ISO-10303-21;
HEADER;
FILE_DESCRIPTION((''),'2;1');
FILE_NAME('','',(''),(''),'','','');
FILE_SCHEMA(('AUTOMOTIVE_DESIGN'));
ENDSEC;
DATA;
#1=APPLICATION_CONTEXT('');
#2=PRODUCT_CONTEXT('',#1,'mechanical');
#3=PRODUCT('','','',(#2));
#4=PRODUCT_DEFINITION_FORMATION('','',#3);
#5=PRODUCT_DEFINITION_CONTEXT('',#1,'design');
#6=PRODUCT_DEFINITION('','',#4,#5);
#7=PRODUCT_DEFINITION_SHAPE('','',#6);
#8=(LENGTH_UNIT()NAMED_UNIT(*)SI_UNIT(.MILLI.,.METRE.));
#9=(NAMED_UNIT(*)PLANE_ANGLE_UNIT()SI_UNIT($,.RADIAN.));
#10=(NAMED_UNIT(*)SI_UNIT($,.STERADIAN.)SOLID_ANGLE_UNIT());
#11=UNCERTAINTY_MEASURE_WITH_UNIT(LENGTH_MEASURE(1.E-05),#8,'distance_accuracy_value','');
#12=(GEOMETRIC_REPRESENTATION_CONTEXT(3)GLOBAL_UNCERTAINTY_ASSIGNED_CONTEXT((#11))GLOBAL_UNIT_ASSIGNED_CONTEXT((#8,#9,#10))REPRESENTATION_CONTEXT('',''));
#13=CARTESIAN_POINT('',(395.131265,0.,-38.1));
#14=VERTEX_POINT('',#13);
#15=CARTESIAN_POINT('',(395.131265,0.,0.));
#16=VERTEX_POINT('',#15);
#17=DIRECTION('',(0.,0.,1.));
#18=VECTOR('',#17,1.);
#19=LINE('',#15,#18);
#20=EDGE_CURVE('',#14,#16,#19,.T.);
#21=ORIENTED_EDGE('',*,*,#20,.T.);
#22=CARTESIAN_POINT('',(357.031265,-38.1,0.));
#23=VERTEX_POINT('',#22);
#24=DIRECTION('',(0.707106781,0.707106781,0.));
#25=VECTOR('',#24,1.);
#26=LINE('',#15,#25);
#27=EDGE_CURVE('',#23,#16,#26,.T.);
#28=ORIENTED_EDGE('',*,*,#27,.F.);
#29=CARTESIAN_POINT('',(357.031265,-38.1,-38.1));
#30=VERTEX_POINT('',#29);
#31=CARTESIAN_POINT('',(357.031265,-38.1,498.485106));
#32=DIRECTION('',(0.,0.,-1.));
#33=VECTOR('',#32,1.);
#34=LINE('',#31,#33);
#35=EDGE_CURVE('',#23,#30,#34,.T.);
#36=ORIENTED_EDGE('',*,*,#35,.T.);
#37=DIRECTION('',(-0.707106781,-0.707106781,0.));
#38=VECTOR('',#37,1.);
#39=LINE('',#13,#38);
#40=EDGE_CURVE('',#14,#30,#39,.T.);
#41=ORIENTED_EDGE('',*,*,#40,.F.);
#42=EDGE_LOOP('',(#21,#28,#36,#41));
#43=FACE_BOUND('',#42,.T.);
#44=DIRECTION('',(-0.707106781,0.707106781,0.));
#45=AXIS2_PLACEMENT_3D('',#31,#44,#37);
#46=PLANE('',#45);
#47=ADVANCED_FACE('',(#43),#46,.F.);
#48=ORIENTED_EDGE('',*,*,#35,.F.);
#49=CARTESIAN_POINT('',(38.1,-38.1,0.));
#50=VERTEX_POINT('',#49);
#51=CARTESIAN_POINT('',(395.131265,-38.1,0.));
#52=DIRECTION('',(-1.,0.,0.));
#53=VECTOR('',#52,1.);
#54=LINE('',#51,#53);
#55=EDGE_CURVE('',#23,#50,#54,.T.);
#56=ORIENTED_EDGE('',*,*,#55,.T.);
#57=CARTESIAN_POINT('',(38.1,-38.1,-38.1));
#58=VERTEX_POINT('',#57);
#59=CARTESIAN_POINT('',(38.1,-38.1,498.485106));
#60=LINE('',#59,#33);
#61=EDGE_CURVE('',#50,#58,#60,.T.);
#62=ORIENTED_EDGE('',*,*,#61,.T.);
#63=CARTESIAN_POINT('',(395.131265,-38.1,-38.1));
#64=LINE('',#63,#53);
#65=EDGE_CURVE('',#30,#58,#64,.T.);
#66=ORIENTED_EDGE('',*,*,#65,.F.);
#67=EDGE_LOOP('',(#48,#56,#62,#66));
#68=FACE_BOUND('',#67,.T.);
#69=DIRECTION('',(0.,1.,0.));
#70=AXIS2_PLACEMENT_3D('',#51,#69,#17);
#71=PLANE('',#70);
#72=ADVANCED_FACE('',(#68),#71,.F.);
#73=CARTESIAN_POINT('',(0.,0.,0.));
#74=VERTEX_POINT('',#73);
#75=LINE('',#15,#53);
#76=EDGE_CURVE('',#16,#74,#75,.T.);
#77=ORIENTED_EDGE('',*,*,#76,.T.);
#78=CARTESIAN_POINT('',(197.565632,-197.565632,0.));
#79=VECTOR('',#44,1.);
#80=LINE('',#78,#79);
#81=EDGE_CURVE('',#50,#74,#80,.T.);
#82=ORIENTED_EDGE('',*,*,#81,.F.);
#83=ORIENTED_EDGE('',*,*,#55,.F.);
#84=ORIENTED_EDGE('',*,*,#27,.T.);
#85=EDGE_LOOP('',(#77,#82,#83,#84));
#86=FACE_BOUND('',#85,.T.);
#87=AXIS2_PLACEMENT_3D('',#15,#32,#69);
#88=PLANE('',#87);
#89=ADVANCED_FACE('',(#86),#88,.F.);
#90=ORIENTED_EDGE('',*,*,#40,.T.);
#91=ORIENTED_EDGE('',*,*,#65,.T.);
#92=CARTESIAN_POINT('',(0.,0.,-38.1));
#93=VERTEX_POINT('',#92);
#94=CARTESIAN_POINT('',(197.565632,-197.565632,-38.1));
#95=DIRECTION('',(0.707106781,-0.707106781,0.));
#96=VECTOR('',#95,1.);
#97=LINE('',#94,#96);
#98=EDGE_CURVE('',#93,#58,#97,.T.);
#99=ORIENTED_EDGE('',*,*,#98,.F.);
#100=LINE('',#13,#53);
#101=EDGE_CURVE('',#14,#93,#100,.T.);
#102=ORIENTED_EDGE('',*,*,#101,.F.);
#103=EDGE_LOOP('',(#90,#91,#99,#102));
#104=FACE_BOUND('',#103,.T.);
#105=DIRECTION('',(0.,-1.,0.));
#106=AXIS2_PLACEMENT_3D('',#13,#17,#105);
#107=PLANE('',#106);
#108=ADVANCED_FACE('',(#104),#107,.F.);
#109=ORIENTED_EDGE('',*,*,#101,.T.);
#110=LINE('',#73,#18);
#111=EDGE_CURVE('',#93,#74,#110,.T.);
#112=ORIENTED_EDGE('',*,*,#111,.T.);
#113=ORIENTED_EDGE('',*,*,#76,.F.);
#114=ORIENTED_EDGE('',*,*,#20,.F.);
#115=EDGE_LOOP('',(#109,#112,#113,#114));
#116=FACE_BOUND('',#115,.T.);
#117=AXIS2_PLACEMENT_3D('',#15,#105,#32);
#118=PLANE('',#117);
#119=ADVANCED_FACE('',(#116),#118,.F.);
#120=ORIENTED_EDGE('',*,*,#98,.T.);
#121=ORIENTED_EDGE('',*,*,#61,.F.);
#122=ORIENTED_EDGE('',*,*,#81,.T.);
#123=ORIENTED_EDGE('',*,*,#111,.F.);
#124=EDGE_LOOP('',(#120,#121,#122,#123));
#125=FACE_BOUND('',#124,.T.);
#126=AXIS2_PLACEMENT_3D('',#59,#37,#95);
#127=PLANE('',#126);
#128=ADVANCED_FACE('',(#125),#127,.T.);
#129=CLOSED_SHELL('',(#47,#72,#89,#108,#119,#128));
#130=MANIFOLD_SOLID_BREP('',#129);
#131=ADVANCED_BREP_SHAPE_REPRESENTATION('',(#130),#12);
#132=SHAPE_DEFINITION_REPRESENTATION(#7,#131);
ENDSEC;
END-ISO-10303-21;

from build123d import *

# Parameters (mm, degrees)
SKETCH1_W               = 38.1
SKETCH1_H               = 38.1
BOSS_EXTRUDE1_DEPTH     = 395.1312646
CUT_EXTRUDE1_DEPTH      = 399.788084406
CUT_EXTRUDE1_DEPTH_BACK = 399.788084406
CUT_EXTRUDE2_DEPTH      = 399.788084406
CUT_EXTRUDE2_DEPTH_BACK = 399.788084406


with BuildPart() as part:
    # Sketch1 → Boss-Extrude1 (new body)
    with BuildSketch(Plane(origin=(0, 0, 0), x_dir=(0, 0, -1), z_dir=(1, 0, 0))):
        with Locations((19.05, -19.05)):
            Rectangle(SKETCH1_W, SKETCH1_H)
    extrude(amount=BOSS_EXTRUDE1_DEPTH)

    # Sketch2 → Cut-Extrude1 (cut, two sides: drawn at the far end of the back side and taken through both)
    with BuildSketch(Plane.XY.offset(-CUT_EXTRUDE1_DEPTH_BACK)):
        Polygon((-803.92777068, -38.1), (0, -38.1), (38.1, -38.1), (0, 0), (-568.462778232, 568.462778232), (-2067.342418515, 1150.321236821), (-2302.807410963, 543.758458589), align=None)
    extrude(amount=CUT_EXTRUDE1_DEPTH + CUT_EXTRUDE1_DEPTH_BACK, mode=Mode.SUBTRACT)

    # Sketch3 → Cut-Extrude2 (cut, two sides: drawn at the far end of the back side and taken through both)
    with BuildSketch(Plane.XY.offset(-CUT_EXTRUDE2_DEPTH_BACK)):
        Polygon((1199.05903528, -38.1), (395.1312646, -38.1), (357.0312646, -38.1), (395.1312646, 0), (963.594042832, 568.462778232), (2462.473683115, 1150.321236821), (2697.938675563, 543.758458589), align=None)
    extrude(amount=CUT_EXTRUDE2_DEPTH + CUT_EXTRUDE2_DEPTH_BACK, mode=Mode.SUBTRACT)


solid = part.part
